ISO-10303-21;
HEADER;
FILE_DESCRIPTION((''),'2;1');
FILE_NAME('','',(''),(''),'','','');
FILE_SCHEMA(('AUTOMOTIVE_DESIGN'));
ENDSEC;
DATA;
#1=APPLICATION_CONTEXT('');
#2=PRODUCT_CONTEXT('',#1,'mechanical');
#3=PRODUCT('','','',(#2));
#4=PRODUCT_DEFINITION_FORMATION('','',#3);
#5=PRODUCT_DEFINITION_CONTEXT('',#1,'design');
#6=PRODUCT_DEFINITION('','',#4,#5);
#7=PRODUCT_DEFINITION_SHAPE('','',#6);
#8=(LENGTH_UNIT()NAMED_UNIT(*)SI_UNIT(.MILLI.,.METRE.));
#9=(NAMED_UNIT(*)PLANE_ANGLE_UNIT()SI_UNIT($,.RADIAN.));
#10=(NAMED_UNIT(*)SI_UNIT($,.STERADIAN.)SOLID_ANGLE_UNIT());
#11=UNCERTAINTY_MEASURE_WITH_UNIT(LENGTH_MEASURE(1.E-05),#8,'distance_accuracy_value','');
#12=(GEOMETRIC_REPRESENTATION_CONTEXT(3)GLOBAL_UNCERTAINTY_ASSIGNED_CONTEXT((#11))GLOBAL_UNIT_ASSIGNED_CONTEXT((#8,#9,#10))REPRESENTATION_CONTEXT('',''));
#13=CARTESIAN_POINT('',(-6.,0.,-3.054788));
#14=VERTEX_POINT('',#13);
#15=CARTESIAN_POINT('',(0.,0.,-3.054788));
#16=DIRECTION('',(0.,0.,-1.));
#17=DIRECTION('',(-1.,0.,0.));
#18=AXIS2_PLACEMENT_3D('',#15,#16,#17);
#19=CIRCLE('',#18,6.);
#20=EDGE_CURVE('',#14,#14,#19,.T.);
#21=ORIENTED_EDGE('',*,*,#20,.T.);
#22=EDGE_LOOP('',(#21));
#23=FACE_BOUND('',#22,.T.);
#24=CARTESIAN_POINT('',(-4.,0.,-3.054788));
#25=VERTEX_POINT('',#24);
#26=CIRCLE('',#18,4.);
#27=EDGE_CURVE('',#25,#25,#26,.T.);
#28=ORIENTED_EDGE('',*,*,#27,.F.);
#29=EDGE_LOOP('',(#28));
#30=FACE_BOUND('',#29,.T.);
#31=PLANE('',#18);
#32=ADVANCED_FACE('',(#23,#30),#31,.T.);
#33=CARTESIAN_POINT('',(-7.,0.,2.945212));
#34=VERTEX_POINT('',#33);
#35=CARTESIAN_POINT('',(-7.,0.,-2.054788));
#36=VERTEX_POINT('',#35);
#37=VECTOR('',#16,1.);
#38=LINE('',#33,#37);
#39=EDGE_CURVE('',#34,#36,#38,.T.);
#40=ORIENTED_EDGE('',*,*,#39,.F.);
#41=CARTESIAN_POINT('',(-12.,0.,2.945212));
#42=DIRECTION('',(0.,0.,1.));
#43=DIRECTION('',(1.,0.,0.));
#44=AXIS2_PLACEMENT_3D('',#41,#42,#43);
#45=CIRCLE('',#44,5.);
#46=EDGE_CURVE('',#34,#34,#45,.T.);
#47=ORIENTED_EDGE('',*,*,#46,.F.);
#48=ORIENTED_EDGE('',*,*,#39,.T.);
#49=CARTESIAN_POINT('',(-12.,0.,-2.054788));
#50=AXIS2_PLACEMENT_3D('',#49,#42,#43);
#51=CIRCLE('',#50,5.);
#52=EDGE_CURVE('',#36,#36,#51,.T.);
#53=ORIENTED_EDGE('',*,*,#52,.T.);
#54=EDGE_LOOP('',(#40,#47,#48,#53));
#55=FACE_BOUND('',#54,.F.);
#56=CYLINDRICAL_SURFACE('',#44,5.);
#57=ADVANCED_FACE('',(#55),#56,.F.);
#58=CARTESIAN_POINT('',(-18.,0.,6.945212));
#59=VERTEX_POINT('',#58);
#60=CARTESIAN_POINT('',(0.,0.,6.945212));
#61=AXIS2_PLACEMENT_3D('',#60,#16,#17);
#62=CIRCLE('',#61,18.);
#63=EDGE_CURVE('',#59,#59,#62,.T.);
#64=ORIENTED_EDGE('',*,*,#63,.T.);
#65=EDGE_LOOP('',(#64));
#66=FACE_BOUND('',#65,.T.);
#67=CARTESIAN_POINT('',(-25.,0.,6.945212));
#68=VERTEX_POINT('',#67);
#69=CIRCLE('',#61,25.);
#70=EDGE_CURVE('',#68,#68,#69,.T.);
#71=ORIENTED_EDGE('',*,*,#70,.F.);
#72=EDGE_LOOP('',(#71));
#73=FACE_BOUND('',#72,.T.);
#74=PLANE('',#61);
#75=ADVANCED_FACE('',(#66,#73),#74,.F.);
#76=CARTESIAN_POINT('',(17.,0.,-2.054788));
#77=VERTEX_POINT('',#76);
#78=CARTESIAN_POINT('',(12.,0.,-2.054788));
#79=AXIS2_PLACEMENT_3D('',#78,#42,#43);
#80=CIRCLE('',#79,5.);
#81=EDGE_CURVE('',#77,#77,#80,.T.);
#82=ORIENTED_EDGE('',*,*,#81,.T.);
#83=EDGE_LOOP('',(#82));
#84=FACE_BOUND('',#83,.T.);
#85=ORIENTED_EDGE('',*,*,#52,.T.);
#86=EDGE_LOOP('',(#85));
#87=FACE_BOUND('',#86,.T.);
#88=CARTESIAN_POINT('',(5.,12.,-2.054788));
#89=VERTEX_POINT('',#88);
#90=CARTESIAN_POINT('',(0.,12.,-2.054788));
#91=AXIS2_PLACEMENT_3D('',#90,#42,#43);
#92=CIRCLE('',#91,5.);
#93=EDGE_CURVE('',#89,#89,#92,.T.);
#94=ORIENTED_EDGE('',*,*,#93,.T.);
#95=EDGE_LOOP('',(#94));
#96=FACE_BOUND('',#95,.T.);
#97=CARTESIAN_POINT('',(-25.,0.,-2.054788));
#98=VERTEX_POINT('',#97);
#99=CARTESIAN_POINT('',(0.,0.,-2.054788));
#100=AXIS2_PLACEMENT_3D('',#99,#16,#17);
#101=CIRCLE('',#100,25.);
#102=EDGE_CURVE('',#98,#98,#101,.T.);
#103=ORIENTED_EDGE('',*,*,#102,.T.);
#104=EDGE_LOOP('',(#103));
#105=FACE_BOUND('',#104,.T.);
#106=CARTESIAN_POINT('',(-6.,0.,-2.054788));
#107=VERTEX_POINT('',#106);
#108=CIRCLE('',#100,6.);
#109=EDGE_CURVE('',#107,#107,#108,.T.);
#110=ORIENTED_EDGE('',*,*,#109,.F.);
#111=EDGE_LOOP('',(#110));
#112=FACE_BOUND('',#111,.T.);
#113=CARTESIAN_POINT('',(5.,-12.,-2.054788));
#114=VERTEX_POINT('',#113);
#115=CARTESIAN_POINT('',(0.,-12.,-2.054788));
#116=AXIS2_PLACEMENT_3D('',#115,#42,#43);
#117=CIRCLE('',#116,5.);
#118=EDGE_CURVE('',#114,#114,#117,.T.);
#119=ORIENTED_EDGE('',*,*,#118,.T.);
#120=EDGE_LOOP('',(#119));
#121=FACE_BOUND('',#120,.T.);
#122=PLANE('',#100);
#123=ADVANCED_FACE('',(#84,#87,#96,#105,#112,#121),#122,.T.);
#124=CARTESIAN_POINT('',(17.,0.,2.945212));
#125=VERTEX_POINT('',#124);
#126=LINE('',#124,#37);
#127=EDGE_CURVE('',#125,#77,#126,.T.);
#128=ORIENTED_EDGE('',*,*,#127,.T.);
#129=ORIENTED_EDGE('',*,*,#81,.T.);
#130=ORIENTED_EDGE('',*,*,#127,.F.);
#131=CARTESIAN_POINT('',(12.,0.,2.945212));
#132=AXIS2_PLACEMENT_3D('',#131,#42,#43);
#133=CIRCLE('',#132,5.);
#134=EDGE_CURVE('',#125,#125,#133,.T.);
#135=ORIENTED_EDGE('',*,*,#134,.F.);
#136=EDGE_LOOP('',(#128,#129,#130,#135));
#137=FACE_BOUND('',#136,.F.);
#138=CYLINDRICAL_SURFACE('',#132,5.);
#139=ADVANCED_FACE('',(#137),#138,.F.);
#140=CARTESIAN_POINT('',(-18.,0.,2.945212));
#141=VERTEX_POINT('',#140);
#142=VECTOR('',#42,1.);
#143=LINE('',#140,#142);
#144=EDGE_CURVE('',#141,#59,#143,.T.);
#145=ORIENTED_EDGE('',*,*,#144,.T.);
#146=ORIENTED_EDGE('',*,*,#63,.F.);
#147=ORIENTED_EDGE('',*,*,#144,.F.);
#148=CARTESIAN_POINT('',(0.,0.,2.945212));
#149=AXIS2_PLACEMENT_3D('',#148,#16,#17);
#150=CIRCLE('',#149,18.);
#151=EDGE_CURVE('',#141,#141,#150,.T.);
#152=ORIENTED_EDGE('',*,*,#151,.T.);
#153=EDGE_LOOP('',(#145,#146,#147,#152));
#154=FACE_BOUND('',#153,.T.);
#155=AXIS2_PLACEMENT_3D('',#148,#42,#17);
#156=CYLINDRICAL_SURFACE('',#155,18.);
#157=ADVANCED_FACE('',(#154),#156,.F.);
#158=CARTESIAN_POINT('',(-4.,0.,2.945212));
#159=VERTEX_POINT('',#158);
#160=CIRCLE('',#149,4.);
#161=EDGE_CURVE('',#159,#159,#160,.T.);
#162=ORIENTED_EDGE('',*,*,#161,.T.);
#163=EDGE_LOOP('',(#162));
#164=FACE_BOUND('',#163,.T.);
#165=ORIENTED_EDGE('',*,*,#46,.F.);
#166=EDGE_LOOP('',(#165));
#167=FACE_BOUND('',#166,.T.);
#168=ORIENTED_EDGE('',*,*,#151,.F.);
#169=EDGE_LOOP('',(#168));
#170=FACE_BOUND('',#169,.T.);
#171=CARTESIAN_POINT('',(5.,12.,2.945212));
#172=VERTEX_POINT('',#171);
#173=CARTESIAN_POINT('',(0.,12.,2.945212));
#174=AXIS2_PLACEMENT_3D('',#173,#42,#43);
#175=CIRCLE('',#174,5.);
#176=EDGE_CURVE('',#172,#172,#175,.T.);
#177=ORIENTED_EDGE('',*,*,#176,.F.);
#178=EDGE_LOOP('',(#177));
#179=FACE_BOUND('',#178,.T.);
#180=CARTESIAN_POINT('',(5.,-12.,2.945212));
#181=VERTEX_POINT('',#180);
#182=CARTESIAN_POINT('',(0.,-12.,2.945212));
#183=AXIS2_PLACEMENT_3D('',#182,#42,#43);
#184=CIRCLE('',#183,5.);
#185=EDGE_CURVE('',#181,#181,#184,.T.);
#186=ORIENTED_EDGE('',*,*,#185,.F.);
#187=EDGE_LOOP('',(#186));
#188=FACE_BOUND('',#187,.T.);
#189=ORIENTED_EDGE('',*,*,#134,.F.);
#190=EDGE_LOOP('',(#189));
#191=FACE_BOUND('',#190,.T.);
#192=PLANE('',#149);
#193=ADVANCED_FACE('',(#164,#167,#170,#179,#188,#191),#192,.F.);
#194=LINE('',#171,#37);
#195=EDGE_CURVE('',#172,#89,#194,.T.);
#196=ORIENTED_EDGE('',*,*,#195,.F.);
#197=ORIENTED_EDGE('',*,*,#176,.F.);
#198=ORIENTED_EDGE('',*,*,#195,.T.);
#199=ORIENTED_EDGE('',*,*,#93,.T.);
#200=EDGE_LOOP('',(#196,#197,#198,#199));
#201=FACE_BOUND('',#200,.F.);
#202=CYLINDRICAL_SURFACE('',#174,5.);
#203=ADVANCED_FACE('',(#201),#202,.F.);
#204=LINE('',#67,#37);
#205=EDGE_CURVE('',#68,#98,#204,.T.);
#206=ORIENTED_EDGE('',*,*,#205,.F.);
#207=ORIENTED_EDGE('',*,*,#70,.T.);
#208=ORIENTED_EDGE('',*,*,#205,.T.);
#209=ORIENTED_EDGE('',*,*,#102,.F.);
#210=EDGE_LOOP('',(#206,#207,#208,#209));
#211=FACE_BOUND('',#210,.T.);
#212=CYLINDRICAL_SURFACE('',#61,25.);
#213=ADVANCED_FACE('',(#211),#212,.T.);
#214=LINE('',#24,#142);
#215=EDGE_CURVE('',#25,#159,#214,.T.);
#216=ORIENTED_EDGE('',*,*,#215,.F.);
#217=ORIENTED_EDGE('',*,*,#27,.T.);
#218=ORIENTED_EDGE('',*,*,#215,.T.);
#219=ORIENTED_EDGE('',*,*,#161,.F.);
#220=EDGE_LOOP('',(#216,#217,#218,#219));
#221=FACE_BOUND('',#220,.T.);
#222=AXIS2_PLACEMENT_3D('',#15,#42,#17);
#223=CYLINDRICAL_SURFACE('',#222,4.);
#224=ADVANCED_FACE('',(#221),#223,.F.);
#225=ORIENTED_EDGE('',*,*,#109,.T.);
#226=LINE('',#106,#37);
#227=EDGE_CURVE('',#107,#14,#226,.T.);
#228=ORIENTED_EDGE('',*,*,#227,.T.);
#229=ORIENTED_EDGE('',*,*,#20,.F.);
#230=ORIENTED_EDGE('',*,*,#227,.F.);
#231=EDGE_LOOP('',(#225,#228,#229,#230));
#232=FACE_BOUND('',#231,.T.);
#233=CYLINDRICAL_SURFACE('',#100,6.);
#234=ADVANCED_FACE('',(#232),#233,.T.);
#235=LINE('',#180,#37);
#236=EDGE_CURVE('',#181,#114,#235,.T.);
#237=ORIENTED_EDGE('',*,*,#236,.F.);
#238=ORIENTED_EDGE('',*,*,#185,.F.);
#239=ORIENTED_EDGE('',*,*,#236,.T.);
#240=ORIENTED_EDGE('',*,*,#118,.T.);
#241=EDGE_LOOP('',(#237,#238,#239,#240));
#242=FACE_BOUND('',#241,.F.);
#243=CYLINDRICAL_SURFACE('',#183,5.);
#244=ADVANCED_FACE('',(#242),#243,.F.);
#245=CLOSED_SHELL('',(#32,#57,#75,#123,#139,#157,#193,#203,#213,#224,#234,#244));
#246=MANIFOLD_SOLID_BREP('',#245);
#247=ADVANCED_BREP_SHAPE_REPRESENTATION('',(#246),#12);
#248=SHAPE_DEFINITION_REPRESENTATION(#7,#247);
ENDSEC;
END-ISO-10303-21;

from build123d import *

# Parameters (mm, degrees)
F2_R     = 5
F3_DEPTH = 6.001


with BuildPart() as f1:
    # F0 (on Front) → F1 (revolve)
    with BuildSketch(Plane.XZ):
        Polygon((-6, -3.054788), (-4, -3.054788), (-4, 2.945212), (-18, 2.945212), (-18, 6.945212), (-25, 6.945212), (-25, -2.054788), (-6, -2.054788), align=None)
    revolve(axis=Axis((0, 0, 2.867277), (0, 0, -1)))

    # F2 (on face) → F3 (cut, through all)
    with BuildSketch(Plane.XY.offset(2.945212)):
        with Locations((-12, 0)):
            Circle(F2_R)
        with Locations((0, 12)):
            Circle(F2_R)
        with Locations((12, 0)):
            Circle(F2_R)
        with Locations((0, -12)):
            Circle(F2_R)
    extrude(amount=-F3_DEPTH, mode=Mode.SUBTRACT)


solid = f1.part
